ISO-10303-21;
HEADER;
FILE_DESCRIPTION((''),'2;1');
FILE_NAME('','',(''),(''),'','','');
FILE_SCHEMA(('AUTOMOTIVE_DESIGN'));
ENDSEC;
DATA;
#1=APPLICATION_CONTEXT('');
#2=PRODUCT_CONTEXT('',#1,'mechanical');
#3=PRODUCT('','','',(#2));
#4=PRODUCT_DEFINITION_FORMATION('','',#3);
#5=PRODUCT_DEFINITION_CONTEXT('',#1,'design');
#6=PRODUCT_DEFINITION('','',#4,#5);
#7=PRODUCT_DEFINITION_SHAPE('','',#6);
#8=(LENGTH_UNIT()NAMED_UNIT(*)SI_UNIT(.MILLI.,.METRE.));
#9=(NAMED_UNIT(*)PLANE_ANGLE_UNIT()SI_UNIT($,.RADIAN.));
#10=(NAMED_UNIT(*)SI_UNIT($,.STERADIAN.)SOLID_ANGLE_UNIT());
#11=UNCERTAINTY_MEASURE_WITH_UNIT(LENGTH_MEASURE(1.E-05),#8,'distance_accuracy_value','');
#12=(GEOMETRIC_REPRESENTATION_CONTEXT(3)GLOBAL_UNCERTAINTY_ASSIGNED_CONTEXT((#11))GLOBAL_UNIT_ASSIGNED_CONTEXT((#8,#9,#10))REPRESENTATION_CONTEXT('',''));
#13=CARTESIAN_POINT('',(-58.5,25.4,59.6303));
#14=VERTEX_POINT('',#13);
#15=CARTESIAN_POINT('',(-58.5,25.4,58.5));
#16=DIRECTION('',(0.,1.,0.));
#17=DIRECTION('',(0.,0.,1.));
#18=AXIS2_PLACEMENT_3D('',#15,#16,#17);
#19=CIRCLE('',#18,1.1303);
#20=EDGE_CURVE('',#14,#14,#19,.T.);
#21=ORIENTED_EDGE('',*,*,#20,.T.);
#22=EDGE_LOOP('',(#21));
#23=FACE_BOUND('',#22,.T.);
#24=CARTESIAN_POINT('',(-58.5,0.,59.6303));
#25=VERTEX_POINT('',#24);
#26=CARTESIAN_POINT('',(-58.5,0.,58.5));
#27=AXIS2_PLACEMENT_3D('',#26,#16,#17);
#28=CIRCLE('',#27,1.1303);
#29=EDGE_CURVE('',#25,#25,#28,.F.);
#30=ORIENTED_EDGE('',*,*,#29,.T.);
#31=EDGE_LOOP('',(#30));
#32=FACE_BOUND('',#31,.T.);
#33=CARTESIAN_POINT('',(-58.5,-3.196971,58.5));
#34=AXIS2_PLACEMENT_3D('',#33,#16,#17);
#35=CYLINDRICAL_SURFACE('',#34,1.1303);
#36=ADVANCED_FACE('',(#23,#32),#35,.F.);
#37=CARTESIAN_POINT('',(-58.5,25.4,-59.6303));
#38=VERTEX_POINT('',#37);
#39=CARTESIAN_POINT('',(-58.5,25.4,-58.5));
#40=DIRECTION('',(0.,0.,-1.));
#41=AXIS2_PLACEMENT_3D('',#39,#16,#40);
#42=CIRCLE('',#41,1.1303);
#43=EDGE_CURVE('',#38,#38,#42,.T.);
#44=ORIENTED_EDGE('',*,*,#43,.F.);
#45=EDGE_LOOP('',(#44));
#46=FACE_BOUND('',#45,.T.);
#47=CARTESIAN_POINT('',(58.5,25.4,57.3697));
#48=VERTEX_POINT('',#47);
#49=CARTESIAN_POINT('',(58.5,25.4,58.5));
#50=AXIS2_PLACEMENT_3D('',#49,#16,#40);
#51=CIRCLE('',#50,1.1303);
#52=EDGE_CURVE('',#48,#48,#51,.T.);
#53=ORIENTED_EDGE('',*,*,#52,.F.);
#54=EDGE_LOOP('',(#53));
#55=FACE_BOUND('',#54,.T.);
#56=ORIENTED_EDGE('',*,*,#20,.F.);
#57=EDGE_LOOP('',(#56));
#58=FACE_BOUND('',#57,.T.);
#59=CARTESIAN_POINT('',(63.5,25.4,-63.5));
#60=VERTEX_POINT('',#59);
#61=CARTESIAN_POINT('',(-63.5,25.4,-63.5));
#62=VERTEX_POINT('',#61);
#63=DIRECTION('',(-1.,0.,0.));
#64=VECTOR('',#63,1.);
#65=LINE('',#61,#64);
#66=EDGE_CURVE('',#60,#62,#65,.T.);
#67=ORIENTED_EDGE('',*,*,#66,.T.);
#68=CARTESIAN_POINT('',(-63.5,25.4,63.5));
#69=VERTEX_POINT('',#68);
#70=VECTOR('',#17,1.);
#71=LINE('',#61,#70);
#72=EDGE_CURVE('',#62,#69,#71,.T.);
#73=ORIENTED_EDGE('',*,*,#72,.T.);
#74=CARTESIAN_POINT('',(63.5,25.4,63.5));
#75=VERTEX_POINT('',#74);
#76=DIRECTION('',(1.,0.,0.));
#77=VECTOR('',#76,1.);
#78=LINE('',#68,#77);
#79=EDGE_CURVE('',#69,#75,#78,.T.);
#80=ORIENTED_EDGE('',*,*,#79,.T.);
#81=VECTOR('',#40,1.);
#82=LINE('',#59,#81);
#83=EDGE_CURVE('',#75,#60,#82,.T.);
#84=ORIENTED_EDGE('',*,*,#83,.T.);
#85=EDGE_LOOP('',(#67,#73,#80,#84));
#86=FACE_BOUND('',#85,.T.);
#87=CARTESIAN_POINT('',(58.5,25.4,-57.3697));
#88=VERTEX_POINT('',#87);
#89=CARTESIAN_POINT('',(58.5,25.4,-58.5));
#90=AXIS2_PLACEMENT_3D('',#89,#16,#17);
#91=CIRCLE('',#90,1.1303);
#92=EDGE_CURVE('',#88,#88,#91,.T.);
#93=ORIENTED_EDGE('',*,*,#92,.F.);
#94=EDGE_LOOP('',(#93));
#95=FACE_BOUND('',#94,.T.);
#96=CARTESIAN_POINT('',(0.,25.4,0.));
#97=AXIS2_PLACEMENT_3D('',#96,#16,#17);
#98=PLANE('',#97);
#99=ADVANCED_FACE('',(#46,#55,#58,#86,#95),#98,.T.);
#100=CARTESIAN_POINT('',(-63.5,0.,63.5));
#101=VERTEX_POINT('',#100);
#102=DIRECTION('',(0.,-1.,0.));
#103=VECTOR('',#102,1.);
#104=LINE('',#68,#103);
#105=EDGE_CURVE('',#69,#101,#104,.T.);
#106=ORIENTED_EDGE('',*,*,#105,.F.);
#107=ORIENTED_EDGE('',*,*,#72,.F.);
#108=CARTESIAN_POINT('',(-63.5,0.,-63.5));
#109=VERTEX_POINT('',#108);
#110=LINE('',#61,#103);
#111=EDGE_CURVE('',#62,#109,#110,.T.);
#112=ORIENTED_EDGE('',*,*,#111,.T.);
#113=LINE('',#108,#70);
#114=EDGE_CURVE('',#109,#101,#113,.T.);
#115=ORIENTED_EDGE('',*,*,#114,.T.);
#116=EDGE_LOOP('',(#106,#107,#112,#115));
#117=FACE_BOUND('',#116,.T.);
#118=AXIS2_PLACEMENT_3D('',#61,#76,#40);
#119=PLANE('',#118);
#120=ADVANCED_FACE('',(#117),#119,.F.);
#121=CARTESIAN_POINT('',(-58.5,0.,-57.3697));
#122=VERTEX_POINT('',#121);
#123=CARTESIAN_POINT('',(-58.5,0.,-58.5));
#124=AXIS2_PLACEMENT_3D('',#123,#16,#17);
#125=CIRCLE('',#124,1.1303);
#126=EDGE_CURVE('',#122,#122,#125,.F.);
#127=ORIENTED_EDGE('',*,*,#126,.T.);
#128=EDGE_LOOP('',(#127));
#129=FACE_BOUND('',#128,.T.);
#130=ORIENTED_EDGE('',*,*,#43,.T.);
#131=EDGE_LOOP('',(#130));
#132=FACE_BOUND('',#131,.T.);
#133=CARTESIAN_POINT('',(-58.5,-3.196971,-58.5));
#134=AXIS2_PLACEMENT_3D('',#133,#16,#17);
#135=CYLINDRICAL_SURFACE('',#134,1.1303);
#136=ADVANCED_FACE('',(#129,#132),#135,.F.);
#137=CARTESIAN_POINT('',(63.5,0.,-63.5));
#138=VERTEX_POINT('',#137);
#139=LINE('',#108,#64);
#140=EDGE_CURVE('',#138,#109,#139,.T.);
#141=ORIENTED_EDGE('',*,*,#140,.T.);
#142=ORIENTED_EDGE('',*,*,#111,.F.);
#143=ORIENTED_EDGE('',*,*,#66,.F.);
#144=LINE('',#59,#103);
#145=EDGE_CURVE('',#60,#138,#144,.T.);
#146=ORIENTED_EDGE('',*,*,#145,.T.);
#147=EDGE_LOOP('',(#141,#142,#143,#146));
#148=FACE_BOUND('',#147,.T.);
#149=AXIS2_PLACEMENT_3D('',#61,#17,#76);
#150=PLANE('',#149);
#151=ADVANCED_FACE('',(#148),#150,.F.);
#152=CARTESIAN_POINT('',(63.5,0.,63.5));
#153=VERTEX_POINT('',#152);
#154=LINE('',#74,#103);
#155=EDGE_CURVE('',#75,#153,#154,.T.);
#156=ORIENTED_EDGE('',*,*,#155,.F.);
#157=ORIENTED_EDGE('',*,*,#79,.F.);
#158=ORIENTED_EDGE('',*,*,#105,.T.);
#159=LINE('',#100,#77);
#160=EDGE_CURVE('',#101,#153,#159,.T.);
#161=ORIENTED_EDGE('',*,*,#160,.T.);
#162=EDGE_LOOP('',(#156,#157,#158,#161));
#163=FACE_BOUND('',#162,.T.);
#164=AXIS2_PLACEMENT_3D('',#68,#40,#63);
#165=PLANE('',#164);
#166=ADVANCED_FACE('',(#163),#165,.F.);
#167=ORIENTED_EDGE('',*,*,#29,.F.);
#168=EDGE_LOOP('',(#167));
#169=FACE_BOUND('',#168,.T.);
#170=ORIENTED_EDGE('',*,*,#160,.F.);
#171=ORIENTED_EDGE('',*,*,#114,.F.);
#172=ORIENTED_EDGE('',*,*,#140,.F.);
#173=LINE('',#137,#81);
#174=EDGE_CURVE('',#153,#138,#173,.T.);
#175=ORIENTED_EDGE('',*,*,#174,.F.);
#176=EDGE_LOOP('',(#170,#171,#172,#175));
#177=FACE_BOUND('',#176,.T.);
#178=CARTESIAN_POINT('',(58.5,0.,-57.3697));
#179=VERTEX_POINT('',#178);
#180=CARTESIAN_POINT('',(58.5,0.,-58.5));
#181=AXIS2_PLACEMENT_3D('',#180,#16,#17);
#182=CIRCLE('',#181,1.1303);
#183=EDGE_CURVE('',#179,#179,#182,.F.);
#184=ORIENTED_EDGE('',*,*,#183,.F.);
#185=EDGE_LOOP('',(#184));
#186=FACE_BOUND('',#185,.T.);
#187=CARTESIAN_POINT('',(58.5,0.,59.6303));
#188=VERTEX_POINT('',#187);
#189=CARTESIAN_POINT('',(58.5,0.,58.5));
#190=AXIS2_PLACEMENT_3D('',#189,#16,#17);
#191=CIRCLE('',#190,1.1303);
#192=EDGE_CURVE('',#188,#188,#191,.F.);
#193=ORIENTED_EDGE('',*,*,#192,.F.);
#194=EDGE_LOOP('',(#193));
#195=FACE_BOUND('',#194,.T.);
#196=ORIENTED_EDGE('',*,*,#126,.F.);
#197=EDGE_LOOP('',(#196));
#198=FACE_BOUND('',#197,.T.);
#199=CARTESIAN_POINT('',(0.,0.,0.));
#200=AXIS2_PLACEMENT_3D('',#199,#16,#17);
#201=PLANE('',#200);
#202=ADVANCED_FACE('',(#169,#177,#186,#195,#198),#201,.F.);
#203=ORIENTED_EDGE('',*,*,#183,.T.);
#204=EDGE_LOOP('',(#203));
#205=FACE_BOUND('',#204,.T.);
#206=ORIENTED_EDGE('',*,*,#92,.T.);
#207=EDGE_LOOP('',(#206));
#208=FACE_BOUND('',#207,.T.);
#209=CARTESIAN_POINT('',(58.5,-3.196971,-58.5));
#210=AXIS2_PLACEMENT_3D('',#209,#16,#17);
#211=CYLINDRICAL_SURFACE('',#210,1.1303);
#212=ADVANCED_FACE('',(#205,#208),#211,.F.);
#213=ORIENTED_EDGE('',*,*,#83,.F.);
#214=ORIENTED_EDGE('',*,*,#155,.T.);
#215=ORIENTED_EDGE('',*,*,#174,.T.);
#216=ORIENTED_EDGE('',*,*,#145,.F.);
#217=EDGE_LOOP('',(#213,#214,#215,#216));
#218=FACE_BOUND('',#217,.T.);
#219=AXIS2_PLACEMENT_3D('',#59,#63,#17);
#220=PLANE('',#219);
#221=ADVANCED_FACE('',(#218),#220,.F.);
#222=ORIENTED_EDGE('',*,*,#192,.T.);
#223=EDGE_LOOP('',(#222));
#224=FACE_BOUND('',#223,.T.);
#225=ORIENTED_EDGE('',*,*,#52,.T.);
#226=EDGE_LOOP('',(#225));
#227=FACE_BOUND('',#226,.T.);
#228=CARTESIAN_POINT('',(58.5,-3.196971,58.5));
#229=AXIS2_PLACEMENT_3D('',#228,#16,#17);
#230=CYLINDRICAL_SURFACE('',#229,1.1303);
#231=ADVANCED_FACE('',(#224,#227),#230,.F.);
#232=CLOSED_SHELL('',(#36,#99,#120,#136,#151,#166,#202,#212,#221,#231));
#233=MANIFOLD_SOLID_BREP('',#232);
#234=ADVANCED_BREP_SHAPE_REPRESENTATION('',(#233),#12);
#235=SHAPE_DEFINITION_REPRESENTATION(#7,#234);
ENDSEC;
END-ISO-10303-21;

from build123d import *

# Parameters (mm, degrees)
SKETCH1_W           = 127
SKETCH1_H           = 127
BOSS_EXTRUDE1_DEPTH = 25.4
SKETCH4_R           = 1.1303
CUT_EXTRUDE1_DEPTH  = 25.4


with BuildPart() as part:
    # Sketch1 → Boss-Extrude1 (new body)
    with BuildSketch(Plane(origin=(0, 0, 0), x_dir=(1, 0, 0), z_dir=(0, 1, 0))):
        Rectangle(SKETCH1_W, SKETCH1_H)
    extrude(amount=BOSS_EXTRUDE1_DEPTH)

    # Sketch4 → Cut-Extrude1 (cut)
    with BuildSketch(Plane(origin=(0, 25.4, 0), x_dir=(1, 0, 0), z_dir=(0, 1, 0))):
        with Locations(Location((-58.5, -58.5, 0), (0, 0, 270))):
            Circle(SKETCH4_R)
        with Locations(Location((58.5, -58.5, 0), (0, 0, 270))):
            Circle(SKETCH4_R)
        with Locations(Location((58.5, 58.5, 0), (0, 0, 270))):
            Circle(SKETCH4_R)
        with Locations(Location((-58.5, 58.5, 0), (0, 0, 270))):
            Circle(SKETCH4_R)
    extrude(amount=-CUT_EXTRUDE1_DEPTH, mode=Mode.SUBTRACT)


solid = part.part
